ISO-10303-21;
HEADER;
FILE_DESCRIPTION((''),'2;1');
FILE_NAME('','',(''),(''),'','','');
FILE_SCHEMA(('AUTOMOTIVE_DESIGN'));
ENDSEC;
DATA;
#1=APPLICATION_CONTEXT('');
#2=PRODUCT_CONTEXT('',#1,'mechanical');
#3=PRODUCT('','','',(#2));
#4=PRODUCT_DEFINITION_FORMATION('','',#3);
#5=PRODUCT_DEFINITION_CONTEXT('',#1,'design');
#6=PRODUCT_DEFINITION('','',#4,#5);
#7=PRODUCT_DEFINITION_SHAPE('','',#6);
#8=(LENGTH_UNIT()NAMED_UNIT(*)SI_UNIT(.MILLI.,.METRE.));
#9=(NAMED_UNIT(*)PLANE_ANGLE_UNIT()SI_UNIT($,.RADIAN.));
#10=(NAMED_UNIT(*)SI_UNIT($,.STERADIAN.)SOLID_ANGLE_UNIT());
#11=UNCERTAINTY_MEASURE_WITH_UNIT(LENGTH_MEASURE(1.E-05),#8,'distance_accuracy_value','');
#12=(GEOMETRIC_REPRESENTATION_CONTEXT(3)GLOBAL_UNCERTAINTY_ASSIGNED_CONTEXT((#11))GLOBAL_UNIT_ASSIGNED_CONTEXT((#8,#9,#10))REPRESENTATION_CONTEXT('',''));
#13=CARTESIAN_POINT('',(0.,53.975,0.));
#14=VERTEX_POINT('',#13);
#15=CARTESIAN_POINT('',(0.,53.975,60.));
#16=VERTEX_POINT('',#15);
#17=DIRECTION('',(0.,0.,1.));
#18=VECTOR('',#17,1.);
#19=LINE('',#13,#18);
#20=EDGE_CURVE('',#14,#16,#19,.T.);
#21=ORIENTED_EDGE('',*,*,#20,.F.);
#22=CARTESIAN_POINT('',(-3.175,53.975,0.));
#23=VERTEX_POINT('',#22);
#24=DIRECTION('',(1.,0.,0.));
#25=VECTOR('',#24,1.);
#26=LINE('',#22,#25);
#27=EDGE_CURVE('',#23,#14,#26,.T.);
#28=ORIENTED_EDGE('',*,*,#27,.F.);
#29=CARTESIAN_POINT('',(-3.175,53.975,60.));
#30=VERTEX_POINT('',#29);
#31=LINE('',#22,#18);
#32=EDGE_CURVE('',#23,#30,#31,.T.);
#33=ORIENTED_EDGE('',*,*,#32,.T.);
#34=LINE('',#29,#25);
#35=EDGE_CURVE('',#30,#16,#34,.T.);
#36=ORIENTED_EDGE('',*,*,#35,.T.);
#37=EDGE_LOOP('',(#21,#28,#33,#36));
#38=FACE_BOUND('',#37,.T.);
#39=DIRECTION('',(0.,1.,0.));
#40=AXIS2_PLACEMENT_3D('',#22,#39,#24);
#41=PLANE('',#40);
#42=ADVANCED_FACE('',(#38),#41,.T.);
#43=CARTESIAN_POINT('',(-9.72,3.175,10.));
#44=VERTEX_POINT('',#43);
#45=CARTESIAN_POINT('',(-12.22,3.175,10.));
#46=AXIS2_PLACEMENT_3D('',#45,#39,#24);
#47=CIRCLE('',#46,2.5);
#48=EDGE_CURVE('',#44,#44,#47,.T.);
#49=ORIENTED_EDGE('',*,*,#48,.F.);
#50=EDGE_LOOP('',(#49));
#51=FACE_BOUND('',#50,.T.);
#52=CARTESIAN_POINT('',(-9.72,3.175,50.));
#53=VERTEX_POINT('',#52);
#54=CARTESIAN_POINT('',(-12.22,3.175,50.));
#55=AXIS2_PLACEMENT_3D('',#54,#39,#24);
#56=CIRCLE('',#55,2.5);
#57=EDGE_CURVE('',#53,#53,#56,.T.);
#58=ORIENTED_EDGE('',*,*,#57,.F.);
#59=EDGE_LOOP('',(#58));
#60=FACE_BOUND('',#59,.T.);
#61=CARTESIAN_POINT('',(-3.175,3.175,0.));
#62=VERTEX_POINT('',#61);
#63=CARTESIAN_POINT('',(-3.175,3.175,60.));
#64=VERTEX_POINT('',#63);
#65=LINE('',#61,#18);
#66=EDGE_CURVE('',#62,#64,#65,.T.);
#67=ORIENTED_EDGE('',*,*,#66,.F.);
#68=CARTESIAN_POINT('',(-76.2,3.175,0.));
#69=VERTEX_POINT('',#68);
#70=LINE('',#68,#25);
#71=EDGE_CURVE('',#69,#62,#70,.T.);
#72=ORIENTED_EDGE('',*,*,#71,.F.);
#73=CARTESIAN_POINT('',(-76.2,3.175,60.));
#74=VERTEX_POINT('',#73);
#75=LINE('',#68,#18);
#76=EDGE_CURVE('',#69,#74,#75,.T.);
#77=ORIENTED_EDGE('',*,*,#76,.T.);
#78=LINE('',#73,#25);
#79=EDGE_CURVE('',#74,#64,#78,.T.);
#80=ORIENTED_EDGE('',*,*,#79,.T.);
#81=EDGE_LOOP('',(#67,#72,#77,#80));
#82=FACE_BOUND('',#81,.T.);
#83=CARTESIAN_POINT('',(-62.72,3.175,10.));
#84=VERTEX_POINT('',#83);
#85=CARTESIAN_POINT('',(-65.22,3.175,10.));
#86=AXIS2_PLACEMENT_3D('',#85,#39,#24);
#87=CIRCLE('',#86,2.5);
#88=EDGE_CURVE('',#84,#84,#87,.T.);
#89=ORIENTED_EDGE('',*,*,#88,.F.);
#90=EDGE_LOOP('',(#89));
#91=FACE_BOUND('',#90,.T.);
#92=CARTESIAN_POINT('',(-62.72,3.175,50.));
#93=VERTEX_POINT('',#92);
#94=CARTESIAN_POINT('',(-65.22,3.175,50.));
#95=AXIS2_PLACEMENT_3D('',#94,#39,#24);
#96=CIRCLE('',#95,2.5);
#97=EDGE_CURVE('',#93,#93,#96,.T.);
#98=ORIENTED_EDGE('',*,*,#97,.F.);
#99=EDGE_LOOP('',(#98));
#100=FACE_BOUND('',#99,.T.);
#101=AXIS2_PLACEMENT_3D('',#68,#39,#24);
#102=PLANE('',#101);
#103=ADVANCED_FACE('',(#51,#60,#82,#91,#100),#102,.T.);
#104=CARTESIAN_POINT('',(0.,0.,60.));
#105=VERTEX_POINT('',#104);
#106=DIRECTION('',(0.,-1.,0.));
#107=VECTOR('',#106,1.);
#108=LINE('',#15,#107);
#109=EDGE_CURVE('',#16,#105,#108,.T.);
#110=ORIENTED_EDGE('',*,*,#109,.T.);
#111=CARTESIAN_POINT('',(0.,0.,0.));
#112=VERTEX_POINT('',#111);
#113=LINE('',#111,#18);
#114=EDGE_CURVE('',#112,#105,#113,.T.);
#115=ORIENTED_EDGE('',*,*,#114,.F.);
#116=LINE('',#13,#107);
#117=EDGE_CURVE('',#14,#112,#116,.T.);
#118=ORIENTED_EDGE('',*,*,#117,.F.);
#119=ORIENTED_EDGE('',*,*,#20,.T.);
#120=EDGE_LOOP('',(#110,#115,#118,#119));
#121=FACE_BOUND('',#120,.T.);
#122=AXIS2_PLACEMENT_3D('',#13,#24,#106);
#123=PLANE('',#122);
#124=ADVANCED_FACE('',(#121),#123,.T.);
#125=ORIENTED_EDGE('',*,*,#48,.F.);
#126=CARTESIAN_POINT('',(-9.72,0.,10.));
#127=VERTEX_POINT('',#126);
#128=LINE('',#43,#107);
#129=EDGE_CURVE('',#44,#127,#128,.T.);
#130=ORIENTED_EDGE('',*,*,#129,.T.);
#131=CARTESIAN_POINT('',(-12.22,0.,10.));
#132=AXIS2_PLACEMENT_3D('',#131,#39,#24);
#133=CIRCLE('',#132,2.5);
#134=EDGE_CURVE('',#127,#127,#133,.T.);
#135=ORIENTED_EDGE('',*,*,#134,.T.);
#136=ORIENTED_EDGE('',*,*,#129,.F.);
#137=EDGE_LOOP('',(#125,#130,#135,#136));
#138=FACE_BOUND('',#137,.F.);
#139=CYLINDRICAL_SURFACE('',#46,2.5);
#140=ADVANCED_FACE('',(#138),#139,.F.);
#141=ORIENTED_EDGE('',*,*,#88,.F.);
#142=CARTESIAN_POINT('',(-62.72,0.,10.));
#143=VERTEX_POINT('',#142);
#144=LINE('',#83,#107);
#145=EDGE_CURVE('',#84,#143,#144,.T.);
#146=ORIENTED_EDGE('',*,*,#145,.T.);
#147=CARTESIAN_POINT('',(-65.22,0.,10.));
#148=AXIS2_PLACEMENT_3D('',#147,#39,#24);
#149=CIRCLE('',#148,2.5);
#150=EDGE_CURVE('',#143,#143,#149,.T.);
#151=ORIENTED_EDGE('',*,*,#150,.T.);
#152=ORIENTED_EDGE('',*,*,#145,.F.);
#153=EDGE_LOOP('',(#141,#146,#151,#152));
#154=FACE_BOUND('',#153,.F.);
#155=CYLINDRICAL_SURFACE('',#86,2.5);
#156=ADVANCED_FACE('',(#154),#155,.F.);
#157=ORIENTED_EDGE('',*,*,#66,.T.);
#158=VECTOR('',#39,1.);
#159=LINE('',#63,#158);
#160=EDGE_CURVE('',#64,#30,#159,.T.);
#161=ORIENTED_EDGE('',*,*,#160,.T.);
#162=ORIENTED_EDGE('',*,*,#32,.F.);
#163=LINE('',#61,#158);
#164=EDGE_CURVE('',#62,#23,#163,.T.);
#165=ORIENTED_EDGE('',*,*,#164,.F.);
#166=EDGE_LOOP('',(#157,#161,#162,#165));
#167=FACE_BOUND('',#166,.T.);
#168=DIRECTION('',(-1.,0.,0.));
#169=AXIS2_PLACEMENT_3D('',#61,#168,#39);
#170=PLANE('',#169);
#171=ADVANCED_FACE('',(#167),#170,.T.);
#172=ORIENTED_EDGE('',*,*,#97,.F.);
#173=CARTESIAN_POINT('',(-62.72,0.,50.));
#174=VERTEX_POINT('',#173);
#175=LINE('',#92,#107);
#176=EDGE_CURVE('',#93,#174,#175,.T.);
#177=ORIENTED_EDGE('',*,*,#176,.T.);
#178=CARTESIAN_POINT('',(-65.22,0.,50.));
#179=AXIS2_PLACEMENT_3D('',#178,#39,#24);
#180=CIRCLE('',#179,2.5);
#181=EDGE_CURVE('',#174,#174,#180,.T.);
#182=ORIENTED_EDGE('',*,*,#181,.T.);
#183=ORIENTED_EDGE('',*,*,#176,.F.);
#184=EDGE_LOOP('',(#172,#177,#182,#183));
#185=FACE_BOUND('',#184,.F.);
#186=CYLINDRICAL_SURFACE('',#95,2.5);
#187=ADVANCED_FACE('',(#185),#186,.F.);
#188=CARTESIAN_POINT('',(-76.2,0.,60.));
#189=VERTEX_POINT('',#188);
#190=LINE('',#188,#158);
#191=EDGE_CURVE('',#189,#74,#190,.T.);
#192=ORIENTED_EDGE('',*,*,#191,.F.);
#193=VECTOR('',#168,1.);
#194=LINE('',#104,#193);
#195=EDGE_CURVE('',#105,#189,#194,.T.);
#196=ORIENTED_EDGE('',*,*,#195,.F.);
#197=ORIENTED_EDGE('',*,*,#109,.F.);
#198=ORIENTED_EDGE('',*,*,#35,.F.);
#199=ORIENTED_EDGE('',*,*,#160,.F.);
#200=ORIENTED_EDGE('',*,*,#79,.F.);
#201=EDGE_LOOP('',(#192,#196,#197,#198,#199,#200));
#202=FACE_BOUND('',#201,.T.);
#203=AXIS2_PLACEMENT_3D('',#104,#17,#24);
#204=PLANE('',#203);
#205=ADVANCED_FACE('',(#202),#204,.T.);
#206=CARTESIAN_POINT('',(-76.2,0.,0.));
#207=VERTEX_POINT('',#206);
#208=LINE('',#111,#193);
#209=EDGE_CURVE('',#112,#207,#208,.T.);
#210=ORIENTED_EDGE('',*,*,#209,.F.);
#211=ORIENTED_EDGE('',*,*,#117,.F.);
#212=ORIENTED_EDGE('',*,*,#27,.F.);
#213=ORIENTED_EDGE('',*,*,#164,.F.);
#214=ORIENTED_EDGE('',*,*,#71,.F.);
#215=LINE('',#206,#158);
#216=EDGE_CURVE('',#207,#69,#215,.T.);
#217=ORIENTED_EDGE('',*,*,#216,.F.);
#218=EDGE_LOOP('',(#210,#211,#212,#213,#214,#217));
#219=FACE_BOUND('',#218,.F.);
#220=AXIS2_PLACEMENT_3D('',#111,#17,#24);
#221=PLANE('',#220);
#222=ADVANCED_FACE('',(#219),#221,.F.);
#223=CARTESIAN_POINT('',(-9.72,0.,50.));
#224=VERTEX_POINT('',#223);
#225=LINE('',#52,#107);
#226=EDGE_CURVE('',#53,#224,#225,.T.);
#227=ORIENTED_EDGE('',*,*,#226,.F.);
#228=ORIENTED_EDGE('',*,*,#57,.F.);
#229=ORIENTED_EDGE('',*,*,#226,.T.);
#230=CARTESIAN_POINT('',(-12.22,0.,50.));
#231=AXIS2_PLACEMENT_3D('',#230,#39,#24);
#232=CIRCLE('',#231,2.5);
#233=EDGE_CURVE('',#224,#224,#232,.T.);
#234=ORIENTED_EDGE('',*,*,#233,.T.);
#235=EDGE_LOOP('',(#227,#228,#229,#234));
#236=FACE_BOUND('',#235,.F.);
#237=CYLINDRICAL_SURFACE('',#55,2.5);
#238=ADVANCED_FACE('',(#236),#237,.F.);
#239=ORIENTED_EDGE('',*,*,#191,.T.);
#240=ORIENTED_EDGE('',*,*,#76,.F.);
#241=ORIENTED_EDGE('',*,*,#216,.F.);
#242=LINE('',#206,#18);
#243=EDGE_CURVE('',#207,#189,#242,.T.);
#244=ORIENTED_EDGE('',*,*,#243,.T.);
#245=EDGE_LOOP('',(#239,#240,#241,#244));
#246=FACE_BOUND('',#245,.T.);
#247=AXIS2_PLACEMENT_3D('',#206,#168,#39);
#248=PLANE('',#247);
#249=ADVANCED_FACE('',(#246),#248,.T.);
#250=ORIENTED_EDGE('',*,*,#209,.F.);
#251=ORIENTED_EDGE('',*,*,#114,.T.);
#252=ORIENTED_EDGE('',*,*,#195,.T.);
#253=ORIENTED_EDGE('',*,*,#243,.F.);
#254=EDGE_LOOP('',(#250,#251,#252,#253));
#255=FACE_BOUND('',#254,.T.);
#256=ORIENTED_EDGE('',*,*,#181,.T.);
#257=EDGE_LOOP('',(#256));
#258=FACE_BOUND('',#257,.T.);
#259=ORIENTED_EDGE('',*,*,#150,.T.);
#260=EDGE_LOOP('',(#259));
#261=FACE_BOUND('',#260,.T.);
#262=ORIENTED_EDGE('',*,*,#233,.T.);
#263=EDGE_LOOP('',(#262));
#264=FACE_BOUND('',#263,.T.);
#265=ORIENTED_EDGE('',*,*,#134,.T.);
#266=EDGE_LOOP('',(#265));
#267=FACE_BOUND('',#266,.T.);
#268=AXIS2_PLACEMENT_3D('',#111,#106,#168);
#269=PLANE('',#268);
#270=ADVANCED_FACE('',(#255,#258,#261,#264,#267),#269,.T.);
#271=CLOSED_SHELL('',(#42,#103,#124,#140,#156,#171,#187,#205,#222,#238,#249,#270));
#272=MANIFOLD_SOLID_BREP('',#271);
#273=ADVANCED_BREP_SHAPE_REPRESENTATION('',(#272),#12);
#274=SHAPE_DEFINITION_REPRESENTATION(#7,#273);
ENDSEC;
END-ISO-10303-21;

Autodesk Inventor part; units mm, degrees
ref_plane "YZ Plane" through (0, 0, 0) normal (1, 0, 0) x (0, 1, 0)
ref_plane "XZ Plane" through (0, 0, 0) normal (0, 1, 0) x (-1, 0, 0)
ref_plane "XY Plane" through (0, 0, 0) normal (0, 0, 1) x (1, 0, 0)
sketch "Sketch1" plane through (0, 0, 0) normal (0, 0, 1) x (1, 0, 0)
  line L0 (0, 0) -> (-76.2, 0)
  line L1 (-76.2, 0) -> (-76.2, 3.175)
  line L2 (-76.2, 3.175) -> (-3.175, 3.175)
  line L3 (-3.175, 3.175) -> (-3.175, 53.975)
  line L4 (-3.175, 53.975) -> (0, 53.975)
  line L5 (0, 53.975) -> (0, 0)
  dimension "d0" = 76.2
  dimension "d1" = 50.8
  dimension "d2" = 3.175
extrude "Extrusion1" add sketch "Sketch1" along normal blind 60
sketch "Sketch2" plane through (-76.2, 3.175, 0) normal (0, 1, 0) x (1, 0, 0)
  line L0 (10.98, -50) -> (63.98, -50) construction
  line L1 (63.98, -50) -> (63.98, -10) construction
  line L2 (63.98, -10) -> (10.98, -10) construction
  line L3 (10.98, -10) -> (10.98, -50) construction
  line L4 (0, 0) -> (0, -60) construction
  line L5 (76.2, 0) -> (76.2, -60) construction
  circle A0 centre (10.98, -50) radius 2.5
  circle A1 centre (10.98, -10) radius 2.5
  circle A2 centre (63.98, -50) radius 2.5
  circle A3 centre (63.98, -10) radius 2.5
  point P0 (0, -30)
  point P1 (10.98, -30)
  dimension "d5" = 12.22
  dimension "d6" = 53
  dimension "d7" = 40
  dimension "d8" = 5
extrude "Extrusion2" cut sketch "Sketch2" against normal blind 60
properties part number "Z_Screw_Holder_Bracket"
